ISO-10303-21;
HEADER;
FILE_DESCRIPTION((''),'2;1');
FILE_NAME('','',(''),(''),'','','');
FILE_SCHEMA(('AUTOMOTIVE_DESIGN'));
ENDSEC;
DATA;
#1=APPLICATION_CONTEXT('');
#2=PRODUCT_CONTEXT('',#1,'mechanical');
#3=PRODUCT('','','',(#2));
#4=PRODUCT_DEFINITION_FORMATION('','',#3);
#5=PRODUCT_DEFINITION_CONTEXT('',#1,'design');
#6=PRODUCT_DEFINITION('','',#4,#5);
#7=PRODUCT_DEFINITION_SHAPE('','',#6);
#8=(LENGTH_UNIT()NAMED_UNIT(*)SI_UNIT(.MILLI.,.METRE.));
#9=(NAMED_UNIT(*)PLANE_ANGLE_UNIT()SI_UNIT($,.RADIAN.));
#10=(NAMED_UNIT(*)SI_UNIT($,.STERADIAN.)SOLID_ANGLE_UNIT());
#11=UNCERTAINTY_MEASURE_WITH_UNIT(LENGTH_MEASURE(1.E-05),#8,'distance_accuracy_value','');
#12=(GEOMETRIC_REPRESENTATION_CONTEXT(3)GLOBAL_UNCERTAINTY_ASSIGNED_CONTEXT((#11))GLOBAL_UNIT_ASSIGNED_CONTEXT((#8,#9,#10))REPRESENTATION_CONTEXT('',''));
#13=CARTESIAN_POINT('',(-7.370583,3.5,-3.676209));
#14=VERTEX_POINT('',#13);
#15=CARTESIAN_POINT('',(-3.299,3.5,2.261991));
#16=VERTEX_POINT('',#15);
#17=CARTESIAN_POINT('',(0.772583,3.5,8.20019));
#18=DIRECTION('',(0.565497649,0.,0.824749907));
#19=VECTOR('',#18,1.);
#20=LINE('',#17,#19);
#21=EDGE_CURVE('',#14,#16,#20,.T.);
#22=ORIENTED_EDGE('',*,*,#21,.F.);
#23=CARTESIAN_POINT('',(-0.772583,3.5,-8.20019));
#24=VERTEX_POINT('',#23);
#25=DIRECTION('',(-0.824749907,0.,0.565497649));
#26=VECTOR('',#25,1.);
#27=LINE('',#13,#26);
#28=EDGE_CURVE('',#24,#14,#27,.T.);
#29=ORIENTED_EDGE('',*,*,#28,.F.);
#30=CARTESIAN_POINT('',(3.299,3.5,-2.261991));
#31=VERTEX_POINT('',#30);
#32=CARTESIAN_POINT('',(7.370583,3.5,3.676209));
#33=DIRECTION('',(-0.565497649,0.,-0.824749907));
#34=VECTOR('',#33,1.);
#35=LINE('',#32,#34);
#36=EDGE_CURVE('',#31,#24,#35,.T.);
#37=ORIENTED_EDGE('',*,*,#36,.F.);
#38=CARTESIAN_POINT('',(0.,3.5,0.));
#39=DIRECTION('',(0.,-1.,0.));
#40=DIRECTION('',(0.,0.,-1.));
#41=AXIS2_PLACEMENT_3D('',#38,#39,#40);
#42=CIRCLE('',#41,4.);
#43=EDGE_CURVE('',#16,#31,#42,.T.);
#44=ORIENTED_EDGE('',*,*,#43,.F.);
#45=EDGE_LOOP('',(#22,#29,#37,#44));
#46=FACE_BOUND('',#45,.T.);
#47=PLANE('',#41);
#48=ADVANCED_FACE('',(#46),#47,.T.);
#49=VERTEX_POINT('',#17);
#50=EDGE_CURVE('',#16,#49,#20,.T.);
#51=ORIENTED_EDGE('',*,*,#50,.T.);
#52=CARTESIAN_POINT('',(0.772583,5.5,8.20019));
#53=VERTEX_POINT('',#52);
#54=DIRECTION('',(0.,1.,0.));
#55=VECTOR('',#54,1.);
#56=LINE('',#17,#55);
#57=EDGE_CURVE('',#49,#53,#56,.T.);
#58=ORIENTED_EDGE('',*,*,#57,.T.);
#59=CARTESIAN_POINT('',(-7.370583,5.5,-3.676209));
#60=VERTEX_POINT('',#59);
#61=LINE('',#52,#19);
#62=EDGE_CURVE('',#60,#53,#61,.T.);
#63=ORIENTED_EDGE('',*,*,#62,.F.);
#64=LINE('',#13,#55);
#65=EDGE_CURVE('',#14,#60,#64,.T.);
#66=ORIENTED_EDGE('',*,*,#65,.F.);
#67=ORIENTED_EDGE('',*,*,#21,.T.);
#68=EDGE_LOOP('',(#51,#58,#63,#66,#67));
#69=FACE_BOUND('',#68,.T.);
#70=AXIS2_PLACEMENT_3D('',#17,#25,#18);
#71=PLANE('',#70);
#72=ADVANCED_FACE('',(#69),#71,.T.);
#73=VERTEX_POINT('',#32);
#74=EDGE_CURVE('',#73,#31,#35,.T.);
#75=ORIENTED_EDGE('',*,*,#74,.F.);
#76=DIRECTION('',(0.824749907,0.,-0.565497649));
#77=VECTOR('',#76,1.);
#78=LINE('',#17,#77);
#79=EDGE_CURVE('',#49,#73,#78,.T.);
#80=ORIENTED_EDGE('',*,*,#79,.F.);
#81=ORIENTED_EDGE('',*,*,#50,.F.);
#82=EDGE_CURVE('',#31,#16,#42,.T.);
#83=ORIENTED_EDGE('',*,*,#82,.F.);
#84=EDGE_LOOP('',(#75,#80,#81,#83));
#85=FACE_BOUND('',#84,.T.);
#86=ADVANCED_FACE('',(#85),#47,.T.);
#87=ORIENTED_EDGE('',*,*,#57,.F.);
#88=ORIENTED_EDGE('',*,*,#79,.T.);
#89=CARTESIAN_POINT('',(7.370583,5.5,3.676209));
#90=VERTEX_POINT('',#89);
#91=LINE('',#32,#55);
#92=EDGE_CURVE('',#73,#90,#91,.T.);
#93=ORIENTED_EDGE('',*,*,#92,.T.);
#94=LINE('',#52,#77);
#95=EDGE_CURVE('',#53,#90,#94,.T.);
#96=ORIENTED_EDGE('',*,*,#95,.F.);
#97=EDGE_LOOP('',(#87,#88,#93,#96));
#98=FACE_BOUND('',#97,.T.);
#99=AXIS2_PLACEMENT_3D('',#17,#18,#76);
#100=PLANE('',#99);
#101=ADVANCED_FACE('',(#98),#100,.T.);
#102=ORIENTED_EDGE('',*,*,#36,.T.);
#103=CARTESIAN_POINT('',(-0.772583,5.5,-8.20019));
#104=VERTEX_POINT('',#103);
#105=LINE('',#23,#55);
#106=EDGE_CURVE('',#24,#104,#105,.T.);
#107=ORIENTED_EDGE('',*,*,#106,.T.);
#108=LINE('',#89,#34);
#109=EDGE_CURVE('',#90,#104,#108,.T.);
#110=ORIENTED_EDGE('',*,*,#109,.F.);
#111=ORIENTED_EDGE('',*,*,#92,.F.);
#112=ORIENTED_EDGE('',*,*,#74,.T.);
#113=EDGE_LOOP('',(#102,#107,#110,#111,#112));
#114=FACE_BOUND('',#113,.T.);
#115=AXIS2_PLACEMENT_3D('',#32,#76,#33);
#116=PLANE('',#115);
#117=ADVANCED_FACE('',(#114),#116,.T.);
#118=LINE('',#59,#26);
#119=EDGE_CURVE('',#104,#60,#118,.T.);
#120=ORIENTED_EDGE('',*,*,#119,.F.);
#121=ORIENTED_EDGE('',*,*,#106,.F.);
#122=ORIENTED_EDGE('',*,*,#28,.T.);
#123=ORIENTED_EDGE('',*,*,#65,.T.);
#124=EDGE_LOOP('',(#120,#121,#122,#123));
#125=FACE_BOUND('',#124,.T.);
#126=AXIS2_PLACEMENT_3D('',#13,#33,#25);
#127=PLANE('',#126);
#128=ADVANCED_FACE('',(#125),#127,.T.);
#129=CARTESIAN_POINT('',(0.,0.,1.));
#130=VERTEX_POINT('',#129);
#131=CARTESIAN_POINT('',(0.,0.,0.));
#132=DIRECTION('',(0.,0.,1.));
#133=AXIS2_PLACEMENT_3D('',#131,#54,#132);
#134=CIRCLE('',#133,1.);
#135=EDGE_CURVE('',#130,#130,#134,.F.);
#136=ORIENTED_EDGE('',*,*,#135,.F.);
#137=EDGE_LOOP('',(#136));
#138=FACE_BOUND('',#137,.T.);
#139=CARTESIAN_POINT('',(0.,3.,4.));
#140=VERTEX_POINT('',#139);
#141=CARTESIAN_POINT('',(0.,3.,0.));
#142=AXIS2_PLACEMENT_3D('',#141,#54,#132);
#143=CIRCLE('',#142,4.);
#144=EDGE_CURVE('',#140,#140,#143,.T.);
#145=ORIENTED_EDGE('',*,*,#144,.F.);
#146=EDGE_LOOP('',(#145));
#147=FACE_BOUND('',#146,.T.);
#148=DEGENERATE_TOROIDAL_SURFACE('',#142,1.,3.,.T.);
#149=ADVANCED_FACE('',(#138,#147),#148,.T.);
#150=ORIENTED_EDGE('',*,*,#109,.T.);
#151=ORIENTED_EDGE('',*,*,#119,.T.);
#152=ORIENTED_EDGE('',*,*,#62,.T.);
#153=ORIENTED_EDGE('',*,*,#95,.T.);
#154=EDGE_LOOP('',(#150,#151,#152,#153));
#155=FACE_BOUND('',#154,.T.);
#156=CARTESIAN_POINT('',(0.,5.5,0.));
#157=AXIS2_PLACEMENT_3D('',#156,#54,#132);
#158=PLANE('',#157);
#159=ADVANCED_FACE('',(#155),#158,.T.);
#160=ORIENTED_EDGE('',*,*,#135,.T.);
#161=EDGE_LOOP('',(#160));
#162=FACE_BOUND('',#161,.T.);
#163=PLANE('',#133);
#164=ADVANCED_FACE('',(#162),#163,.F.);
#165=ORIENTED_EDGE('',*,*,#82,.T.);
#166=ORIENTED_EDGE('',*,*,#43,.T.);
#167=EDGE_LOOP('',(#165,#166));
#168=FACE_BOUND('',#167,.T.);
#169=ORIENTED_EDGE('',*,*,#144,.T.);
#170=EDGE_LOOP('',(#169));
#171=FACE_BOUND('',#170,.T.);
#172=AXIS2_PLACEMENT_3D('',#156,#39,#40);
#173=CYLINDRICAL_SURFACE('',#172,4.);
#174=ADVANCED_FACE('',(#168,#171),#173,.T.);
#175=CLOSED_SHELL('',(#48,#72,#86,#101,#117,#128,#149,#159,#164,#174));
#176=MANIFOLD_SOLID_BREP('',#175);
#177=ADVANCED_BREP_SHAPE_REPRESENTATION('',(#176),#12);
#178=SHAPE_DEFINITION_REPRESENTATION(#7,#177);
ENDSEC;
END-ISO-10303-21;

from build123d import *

# Parameters (mm, degrees)
SKETCH1_R           = 4
BOSS_EXTRUDE1_DEPTH = 5.5
BOSS_EXTRUDE2_DEPTH = 2
FILLET3_R           = 3


with BuildPart() as part:
    # Sketch1 → Boss-Extrude1 (new body)
    with BuildSketch(Plane(origin=(0, 0, 0), x_dir=(1, 0, 0), z_dir=(0, 1, 0))):
        Circle(SKETCH1_R)
    extrude(amount=BOSS_EXTRUDE1_DEPTH)

    # Sketch2 → Boss-Extrude2 (add)
    with BuildSketch(Plane(origin=(0, 5.5, 0), x_dir=(1, 0, 0), z_dir=(0, 1, 0))):
        Polygon((0.772583445, -8.200189926), (7.3705827, -3.676208734), (-0.772583445, 8.200189926), (-7.3705827, 3.676208734), align=None)
    extrude(amount=-BOSS_EXTRUDE2_DEPTH)

    # Fillet3
    fillet3_edges = [part.edges().sort_by_distance(p)[0] for p in [
        (-4, 0, 0),
    ]]
    fillet(fillet3_edges, radius=FILLET3_R)


solid = part.part
